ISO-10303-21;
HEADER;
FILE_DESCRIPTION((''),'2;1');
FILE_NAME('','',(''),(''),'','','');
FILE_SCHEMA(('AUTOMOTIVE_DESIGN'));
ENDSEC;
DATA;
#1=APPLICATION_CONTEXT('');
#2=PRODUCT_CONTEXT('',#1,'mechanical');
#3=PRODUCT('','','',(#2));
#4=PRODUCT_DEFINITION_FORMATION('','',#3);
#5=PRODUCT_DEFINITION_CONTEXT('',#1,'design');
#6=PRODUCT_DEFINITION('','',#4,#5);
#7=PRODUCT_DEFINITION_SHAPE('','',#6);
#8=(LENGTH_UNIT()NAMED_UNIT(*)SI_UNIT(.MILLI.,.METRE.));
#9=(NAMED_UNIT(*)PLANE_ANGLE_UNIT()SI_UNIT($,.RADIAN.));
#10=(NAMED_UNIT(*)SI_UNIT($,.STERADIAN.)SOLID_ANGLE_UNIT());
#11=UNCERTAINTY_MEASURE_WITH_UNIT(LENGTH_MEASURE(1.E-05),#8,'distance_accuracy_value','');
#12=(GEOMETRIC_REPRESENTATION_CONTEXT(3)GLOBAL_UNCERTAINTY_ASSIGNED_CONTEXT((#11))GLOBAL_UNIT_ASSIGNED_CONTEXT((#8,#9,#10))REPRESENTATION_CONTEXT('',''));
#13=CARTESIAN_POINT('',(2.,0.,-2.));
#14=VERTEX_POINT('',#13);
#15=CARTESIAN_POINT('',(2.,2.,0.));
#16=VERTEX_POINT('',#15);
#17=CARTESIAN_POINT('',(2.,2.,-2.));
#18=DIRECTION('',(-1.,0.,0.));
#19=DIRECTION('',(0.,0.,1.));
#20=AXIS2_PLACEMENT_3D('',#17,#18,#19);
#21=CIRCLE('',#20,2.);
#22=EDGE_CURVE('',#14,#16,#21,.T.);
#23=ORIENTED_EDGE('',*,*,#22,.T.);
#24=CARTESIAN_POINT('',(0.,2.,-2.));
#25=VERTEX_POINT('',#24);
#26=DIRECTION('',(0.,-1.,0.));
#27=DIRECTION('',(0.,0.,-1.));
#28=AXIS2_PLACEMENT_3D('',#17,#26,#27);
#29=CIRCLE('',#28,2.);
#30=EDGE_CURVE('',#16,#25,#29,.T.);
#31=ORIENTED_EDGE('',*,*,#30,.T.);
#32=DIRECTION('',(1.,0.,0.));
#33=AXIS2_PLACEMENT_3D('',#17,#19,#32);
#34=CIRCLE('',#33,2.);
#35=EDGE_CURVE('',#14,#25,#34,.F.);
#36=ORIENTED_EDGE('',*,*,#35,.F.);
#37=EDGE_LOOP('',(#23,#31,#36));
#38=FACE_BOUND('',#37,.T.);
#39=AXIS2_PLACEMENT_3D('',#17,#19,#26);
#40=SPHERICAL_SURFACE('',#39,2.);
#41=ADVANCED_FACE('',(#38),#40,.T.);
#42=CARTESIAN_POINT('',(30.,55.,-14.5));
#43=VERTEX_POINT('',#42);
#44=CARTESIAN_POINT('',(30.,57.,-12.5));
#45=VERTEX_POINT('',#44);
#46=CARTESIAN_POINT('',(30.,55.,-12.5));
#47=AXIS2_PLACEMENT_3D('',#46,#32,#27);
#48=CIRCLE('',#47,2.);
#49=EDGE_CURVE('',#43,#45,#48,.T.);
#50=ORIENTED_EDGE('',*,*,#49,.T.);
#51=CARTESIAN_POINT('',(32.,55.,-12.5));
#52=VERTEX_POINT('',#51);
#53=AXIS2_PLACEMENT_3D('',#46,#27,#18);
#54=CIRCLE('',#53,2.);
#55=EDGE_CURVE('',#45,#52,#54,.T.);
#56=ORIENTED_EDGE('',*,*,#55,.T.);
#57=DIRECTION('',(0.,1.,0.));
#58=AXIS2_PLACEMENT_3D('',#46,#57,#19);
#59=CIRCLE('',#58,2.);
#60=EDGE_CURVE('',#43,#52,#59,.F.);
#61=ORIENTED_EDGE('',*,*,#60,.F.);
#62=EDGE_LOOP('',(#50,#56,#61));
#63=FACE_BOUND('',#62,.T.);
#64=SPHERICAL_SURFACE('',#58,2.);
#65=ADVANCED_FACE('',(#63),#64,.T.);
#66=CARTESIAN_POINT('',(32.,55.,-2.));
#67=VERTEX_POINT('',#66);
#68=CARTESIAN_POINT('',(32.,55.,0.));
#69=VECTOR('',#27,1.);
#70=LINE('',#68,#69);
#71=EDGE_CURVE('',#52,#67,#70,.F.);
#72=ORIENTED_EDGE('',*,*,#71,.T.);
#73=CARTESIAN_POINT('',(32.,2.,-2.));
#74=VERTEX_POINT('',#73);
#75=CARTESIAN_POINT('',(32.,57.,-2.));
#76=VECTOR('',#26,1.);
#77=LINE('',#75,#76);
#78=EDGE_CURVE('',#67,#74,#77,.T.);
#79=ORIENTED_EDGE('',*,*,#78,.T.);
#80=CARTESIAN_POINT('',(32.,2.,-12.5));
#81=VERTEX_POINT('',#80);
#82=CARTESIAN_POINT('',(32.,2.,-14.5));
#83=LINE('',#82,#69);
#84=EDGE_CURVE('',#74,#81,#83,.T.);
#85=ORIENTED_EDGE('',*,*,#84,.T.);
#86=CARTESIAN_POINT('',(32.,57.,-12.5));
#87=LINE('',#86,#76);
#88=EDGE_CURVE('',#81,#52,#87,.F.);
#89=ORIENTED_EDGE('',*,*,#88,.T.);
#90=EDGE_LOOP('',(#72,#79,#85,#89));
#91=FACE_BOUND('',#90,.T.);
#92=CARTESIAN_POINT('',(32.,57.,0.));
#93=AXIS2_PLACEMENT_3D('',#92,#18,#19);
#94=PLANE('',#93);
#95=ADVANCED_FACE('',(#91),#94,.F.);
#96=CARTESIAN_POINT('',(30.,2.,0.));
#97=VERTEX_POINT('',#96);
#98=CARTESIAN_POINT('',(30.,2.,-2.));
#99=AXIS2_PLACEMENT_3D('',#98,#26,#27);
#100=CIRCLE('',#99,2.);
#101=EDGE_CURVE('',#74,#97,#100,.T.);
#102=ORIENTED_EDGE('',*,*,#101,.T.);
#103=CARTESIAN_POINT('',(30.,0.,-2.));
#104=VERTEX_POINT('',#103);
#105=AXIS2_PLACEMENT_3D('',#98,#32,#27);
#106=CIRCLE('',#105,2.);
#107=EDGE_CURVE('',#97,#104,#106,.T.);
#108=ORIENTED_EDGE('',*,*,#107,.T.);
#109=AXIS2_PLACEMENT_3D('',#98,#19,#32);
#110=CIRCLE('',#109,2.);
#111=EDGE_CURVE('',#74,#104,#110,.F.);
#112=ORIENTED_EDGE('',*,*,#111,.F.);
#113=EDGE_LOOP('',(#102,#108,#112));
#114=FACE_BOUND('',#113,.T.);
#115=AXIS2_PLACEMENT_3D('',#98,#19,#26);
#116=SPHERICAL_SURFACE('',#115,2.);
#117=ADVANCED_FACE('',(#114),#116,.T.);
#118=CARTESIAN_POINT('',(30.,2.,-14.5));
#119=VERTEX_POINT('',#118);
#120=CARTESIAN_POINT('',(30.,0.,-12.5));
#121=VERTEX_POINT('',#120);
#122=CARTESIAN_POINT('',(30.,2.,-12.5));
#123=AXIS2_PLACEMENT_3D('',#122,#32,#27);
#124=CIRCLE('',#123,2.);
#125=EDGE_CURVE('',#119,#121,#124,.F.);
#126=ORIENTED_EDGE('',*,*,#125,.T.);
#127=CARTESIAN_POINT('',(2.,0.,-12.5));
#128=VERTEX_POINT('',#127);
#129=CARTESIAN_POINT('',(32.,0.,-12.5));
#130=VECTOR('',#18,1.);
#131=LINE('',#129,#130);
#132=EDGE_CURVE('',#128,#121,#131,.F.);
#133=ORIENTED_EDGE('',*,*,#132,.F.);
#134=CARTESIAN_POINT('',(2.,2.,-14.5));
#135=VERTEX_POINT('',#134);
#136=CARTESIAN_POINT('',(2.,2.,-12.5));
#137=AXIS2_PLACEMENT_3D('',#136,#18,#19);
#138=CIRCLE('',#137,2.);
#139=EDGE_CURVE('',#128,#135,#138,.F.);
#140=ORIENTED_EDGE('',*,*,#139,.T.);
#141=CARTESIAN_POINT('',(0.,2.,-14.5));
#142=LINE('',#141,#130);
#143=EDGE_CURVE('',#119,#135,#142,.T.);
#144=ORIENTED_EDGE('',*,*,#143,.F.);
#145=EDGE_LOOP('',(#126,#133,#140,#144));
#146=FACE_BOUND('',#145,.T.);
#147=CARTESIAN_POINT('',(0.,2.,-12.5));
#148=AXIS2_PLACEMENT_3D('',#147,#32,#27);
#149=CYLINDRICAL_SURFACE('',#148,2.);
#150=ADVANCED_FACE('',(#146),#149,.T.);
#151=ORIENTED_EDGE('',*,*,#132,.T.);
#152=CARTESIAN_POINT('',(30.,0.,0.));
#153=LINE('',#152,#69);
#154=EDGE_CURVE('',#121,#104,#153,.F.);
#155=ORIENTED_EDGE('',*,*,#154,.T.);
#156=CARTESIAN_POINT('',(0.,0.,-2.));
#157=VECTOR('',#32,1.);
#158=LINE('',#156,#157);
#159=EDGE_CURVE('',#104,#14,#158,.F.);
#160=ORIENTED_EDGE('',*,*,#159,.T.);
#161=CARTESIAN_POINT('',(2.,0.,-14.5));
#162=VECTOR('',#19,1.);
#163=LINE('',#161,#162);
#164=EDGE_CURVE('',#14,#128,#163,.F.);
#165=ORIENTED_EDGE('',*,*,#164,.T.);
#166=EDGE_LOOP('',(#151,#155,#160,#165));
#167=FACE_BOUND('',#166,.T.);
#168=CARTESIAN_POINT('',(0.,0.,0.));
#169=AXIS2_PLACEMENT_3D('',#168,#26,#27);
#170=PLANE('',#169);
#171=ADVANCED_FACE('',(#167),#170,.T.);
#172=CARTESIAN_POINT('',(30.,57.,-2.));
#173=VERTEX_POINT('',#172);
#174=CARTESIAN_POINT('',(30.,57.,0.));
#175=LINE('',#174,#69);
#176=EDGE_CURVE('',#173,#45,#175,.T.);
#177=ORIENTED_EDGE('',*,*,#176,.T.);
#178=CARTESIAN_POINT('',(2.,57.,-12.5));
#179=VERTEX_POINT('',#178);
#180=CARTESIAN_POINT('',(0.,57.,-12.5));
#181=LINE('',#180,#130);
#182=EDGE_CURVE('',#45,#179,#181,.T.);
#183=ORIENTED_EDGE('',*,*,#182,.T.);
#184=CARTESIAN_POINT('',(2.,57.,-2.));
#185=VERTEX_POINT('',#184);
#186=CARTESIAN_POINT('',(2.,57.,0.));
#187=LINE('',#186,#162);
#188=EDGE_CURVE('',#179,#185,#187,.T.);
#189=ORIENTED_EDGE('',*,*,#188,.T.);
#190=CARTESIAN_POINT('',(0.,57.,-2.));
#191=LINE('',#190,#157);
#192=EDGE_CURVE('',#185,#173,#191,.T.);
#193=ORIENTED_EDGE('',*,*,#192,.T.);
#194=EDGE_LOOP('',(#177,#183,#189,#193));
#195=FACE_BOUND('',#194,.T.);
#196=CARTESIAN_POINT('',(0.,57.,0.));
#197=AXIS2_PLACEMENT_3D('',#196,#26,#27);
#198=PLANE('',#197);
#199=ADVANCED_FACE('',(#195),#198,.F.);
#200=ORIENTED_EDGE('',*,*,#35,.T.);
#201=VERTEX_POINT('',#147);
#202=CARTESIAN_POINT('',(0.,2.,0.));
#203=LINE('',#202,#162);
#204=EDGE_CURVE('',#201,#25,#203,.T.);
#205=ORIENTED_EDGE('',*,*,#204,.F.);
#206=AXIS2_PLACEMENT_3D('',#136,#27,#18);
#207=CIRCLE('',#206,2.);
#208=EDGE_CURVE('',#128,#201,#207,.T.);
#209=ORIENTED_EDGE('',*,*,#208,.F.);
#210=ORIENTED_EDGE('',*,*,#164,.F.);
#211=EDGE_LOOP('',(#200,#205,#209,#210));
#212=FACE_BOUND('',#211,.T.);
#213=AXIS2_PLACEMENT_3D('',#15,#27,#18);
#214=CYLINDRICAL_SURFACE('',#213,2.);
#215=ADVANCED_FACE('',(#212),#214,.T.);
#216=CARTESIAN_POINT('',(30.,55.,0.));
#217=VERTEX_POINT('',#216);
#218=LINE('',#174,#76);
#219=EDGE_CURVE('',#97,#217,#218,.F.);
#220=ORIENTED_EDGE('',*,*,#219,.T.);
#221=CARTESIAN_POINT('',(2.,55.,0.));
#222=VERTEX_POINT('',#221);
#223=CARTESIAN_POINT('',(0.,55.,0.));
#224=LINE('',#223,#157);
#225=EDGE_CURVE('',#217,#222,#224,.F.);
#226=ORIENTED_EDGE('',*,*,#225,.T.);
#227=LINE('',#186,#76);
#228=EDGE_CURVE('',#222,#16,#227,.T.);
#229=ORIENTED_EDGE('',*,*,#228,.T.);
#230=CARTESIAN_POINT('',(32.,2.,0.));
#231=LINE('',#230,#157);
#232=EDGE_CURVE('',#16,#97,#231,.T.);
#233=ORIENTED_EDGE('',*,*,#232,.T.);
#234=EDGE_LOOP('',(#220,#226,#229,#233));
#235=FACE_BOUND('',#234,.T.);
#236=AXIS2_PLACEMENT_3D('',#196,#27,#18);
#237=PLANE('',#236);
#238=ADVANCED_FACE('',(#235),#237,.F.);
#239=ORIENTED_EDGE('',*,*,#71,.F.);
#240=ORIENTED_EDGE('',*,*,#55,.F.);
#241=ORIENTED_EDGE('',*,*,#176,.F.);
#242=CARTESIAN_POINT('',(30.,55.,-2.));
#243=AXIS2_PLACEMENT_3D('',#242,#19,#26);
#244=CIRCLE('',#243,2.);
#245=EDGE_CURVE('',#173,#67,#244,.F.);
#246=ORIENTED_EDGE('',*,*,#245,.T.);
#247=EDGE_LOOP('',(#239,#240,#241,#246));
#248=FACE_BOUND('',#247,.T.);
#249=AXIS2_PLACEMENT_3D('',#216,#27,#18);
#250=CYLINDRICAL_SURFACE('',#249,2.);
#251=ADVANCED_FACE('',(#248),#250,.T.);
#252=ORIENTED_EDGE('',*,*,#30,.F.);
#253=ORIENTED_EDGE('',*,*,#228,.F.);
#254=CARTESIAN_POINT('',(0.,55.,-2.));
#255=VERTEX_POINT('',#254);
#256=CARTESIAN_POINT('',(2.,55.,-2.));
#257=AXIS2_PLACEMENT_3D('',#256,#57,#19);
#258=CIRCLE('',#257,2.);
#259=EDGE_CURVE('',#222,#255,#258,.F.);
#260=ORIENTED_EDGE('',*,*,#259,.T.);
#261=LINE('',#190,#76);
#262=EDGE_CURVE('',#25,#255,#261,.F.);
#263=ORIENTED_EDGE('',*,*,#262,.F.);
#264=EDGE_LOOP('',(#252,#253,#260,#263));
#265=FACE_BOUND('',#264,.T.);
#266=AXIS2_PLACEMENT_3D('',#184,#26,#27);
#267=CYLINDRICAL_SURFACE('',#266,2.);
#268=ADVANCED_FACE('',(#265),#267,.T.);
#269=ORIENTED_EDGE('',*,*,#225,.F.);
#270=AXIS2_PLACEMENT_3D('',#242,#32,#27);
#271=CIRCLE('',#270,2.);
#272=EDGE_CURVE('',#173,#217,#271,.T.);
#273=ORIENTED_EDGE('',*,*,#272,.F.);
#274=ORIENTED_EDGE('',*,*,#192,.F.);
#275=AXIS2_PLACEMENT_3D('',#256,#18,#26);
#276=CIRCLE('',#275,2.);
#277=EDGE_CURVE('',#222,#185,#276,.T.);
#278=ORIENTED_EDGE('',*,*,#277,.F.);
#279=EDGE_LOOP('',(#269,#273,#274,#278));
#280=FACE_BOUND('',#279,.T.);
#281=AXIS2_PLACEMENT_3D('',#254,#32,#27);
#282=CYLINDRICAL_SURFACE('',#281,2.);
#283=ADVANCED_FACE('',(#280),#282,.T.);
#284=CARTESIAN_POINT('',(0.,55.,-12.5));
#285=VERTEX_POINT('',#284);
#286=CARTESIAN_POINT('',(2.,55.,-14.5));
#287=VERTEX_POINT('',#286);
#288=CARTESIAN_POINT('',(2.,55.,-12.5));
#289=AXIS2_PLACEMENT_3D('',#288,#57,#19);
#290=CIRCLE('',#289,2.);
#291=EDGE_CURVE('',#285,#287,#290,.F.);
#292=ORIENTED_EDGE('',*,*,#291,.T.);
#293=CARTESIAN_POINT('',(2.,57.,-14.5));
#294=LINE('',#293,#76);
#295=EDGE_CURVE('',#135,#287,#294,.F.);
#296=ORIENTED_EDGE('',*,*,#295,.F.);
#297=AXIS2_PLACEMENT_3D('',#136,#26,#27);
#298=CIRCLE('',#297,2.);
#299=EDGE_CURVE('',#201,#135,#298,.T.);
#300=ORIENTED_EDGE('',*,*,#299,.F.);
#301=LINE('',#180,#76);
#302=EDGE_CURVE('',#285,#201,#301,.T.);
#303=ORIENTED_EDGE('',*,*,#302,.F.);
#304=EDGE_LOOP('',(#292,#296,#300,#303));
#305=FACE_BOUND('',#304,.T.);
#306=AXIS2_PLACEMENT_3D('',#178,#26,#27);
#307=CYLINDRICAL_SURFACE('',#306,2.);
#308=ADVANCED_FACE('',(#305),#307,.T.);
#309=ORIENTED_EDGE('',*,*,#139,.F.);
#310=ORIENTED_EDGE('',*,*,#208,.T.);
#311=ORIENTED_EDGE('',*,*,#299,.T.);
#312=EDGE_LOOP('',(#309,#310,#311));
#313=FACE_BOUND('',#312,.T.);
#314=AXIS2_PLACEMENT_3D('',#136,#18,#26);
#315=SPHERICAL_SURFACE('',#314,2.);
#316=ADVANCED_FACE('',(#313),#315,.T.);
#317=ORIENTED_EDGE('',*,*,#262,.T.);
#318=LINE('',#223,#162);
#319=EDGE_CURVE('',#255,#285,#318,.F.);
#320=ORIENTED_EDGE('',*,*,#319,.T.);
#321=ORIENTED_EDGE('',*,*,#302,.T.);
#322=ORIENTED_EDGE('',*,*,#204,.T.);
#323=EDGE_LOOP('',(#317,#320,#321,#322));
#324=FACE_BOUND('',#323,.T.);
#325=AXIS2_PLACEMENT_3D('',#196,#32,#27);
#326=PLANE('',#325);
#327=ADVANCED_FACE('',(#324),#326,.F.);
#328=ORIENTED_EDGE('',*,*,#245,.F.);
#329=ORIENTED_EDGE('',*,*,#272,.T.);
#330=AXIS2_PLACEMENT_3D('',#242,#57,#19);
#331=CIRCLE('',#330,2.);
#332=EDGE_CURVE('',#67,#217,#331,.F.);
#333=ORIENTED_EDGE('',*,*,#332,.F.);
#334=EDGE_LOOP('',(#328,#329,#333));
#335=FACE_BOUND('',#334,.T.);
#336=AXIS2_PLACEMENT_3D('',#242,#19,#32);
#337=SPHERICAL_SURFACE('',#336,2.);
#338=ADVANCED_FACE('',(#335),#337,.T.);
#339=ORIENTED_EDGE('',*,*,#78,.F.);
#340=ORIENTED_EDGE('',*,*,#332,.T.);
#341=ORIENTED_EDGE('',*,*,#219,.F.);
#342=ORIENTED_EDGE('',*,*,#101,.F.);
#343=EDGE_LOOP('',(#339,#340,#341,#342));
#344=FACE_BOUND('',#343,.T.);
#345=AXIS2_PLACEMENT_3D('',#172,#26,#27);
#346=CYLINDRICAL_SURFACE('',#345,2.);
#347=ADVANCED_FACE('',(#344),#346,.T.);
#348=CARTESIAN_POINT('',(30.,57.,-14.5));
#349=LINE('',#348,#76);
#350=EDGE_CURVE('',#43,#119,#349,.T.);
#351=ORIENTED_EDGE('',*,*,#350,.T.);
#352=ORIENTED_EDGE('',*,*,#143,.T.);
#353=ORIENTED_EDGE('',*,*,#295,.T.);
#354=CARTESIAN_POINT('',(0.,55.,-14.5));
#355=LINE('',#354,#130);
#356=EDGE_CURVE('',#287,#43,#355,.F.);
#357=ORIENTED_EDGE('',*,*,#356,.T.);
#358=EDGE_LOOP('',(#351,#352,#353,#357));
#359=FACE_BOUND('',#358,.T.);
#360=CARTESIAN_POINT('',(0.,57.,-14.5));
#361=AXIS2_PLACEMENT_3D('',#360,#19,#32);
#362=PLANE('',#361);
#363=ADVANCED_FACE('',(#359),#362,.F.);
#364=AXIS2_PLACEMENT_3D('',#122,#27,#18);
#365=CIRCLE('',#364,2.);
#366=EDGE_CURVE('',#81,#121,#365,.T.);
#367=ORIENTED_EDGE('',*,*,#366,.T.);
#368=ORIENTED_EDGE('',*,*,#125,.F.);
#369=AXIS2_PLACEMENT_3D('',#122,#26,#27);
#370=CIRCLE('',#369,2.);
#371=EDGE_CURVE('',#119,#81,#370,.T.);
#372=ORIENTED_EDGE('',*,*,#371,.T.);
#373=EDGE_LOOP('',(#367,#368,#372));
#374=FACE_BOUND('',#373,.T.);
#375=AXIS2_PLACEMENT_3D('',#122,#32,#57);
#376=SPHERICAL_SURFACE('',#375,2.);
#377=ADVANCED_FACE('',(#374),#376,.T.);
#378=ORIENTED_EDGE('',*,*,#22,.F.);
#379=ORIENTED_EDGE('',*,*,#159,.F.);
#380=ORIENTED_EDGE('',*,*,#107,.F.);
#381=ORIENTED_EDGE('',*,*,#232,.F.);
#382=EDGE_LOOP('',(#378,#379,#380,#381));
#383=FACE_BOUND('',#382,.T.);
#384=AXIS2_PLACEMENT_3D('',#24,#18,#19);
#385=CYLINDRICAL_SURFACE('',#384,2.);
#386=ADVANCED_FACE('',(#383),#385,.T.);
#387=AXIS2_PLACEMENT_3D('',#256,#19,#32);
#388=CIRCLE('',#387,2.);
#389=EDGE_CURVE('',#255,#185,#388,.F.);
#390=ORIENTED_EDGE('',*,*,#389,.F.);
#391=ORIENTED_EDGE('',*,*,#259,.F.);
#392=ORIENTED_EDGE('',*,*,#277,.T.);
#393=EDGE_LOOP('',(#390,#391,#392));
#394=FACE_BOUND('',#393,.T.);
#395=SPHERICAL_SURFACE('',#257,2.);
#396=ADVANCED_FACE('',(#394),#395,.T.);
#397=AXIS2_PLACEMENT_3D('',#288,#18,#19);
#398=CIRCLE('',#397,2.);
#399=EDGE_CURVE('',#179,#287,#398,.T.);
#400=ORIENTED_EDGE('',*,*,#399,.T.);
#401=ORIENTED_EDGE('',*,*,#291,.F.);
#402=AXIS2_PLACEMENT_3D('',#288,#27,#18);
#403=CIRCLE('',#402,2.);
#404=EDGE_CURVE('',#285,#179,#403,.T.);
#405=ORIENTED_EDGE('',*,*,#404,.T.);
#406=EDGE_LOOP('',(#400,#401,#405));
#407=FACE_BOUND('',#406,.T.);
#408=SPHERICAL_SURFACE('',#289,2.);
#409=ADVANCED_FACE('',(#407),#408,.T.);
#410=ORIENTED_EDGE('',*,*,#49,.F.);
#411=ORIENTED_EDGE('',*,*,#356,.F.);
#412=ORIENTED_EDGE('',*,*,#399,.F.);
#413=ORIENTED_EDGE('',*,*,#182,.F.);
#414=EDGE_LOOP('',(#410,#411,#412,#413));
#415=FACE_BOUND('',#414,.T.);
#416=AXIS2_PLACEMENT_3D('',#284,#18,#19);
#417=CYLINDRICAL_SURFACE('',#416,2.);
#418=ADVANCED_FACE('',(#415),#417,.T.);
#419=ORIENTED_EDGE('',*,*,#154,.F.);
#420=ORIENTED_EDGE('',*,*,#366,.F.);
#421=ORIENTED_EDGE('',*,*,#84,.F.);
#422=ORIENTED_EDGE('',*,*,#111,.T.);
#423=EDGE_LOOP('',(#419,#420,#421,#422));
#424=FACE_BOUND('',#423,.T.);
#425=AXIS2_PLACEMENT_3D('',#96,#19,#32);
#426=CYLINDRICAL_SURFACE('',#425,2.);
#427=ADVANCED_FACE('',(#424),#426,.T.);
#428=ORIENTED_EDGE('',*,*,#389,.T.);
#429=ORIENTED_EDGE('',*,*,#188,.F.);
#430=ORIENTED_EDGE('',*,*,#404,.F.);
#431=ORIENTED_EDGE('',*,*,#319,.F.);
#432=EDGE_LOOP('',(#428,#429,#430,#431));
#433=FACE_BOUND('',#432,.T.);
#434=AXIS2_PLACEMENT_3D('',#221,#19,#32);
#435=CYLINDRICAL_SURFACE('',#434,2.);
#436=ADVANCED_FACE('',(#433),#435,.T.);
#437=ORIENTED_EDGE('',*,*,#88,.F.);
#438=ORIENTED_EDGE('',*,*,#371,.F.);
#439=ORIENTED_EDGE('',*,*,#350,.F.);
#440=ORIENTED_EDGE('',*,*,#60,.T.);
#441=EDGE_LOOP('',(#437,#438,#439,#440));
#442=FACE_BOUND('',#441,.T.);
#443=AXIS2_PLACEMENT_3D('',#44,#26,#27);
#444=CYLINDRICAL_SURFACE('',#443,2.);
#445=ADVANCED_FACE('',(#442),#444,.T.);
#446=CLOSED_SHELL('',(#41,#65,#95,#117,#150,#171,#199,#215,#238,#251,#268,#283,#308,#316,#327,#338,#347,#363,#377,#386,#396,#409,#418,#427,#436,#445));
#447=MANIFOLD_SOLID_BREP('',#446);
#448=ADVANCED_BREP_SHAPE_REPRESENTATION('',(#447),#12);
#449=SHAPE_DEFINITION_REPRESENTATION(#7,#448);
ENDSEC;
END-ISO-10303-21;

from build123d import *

# Parameters (mm, degrees)
SKETCH1_W           = 32
SKETCH1_H           = 14.5
BOSS_EXTRUDE1_DEPTH = 57
FILLET1_R           = 2


with BuildPart() as part:
    # Sketch1 → Boss-Extrude1 (new body)
    with BuildSketch(Plane(origin=(0, 0, 0), x_dir=(1, 0, 0), z_dir=(0, 1, 0))):
        with Locations((16, 7.25)):
            Rectangle(SKETCH1_W, SKETCH1_H)
    extrude(amount=BOSS_EXTRUDE1_DEPTH)

    # Fillet1
    fillet1_edges = [part.edges().sort_by_distance(p)[0] for p in [
        (32, 57, -7.25),
        (16, 57, -14.5),
        (0, 57, -7.25),
        (16, 0, -14.5),
        (32, 0, -7.25),
        (16, 0, 0),
        (0, 0, -7.25),
        (0, 28.5, -14.5),
        (32, 28.5, -14.5),
        (32, 28.5, 0),
        (0, 28.5, 0),
        (16, 57, 0),
    ]]
    fillet(fillet1_edges, radius=FILLET1_R)


solid = part.part
